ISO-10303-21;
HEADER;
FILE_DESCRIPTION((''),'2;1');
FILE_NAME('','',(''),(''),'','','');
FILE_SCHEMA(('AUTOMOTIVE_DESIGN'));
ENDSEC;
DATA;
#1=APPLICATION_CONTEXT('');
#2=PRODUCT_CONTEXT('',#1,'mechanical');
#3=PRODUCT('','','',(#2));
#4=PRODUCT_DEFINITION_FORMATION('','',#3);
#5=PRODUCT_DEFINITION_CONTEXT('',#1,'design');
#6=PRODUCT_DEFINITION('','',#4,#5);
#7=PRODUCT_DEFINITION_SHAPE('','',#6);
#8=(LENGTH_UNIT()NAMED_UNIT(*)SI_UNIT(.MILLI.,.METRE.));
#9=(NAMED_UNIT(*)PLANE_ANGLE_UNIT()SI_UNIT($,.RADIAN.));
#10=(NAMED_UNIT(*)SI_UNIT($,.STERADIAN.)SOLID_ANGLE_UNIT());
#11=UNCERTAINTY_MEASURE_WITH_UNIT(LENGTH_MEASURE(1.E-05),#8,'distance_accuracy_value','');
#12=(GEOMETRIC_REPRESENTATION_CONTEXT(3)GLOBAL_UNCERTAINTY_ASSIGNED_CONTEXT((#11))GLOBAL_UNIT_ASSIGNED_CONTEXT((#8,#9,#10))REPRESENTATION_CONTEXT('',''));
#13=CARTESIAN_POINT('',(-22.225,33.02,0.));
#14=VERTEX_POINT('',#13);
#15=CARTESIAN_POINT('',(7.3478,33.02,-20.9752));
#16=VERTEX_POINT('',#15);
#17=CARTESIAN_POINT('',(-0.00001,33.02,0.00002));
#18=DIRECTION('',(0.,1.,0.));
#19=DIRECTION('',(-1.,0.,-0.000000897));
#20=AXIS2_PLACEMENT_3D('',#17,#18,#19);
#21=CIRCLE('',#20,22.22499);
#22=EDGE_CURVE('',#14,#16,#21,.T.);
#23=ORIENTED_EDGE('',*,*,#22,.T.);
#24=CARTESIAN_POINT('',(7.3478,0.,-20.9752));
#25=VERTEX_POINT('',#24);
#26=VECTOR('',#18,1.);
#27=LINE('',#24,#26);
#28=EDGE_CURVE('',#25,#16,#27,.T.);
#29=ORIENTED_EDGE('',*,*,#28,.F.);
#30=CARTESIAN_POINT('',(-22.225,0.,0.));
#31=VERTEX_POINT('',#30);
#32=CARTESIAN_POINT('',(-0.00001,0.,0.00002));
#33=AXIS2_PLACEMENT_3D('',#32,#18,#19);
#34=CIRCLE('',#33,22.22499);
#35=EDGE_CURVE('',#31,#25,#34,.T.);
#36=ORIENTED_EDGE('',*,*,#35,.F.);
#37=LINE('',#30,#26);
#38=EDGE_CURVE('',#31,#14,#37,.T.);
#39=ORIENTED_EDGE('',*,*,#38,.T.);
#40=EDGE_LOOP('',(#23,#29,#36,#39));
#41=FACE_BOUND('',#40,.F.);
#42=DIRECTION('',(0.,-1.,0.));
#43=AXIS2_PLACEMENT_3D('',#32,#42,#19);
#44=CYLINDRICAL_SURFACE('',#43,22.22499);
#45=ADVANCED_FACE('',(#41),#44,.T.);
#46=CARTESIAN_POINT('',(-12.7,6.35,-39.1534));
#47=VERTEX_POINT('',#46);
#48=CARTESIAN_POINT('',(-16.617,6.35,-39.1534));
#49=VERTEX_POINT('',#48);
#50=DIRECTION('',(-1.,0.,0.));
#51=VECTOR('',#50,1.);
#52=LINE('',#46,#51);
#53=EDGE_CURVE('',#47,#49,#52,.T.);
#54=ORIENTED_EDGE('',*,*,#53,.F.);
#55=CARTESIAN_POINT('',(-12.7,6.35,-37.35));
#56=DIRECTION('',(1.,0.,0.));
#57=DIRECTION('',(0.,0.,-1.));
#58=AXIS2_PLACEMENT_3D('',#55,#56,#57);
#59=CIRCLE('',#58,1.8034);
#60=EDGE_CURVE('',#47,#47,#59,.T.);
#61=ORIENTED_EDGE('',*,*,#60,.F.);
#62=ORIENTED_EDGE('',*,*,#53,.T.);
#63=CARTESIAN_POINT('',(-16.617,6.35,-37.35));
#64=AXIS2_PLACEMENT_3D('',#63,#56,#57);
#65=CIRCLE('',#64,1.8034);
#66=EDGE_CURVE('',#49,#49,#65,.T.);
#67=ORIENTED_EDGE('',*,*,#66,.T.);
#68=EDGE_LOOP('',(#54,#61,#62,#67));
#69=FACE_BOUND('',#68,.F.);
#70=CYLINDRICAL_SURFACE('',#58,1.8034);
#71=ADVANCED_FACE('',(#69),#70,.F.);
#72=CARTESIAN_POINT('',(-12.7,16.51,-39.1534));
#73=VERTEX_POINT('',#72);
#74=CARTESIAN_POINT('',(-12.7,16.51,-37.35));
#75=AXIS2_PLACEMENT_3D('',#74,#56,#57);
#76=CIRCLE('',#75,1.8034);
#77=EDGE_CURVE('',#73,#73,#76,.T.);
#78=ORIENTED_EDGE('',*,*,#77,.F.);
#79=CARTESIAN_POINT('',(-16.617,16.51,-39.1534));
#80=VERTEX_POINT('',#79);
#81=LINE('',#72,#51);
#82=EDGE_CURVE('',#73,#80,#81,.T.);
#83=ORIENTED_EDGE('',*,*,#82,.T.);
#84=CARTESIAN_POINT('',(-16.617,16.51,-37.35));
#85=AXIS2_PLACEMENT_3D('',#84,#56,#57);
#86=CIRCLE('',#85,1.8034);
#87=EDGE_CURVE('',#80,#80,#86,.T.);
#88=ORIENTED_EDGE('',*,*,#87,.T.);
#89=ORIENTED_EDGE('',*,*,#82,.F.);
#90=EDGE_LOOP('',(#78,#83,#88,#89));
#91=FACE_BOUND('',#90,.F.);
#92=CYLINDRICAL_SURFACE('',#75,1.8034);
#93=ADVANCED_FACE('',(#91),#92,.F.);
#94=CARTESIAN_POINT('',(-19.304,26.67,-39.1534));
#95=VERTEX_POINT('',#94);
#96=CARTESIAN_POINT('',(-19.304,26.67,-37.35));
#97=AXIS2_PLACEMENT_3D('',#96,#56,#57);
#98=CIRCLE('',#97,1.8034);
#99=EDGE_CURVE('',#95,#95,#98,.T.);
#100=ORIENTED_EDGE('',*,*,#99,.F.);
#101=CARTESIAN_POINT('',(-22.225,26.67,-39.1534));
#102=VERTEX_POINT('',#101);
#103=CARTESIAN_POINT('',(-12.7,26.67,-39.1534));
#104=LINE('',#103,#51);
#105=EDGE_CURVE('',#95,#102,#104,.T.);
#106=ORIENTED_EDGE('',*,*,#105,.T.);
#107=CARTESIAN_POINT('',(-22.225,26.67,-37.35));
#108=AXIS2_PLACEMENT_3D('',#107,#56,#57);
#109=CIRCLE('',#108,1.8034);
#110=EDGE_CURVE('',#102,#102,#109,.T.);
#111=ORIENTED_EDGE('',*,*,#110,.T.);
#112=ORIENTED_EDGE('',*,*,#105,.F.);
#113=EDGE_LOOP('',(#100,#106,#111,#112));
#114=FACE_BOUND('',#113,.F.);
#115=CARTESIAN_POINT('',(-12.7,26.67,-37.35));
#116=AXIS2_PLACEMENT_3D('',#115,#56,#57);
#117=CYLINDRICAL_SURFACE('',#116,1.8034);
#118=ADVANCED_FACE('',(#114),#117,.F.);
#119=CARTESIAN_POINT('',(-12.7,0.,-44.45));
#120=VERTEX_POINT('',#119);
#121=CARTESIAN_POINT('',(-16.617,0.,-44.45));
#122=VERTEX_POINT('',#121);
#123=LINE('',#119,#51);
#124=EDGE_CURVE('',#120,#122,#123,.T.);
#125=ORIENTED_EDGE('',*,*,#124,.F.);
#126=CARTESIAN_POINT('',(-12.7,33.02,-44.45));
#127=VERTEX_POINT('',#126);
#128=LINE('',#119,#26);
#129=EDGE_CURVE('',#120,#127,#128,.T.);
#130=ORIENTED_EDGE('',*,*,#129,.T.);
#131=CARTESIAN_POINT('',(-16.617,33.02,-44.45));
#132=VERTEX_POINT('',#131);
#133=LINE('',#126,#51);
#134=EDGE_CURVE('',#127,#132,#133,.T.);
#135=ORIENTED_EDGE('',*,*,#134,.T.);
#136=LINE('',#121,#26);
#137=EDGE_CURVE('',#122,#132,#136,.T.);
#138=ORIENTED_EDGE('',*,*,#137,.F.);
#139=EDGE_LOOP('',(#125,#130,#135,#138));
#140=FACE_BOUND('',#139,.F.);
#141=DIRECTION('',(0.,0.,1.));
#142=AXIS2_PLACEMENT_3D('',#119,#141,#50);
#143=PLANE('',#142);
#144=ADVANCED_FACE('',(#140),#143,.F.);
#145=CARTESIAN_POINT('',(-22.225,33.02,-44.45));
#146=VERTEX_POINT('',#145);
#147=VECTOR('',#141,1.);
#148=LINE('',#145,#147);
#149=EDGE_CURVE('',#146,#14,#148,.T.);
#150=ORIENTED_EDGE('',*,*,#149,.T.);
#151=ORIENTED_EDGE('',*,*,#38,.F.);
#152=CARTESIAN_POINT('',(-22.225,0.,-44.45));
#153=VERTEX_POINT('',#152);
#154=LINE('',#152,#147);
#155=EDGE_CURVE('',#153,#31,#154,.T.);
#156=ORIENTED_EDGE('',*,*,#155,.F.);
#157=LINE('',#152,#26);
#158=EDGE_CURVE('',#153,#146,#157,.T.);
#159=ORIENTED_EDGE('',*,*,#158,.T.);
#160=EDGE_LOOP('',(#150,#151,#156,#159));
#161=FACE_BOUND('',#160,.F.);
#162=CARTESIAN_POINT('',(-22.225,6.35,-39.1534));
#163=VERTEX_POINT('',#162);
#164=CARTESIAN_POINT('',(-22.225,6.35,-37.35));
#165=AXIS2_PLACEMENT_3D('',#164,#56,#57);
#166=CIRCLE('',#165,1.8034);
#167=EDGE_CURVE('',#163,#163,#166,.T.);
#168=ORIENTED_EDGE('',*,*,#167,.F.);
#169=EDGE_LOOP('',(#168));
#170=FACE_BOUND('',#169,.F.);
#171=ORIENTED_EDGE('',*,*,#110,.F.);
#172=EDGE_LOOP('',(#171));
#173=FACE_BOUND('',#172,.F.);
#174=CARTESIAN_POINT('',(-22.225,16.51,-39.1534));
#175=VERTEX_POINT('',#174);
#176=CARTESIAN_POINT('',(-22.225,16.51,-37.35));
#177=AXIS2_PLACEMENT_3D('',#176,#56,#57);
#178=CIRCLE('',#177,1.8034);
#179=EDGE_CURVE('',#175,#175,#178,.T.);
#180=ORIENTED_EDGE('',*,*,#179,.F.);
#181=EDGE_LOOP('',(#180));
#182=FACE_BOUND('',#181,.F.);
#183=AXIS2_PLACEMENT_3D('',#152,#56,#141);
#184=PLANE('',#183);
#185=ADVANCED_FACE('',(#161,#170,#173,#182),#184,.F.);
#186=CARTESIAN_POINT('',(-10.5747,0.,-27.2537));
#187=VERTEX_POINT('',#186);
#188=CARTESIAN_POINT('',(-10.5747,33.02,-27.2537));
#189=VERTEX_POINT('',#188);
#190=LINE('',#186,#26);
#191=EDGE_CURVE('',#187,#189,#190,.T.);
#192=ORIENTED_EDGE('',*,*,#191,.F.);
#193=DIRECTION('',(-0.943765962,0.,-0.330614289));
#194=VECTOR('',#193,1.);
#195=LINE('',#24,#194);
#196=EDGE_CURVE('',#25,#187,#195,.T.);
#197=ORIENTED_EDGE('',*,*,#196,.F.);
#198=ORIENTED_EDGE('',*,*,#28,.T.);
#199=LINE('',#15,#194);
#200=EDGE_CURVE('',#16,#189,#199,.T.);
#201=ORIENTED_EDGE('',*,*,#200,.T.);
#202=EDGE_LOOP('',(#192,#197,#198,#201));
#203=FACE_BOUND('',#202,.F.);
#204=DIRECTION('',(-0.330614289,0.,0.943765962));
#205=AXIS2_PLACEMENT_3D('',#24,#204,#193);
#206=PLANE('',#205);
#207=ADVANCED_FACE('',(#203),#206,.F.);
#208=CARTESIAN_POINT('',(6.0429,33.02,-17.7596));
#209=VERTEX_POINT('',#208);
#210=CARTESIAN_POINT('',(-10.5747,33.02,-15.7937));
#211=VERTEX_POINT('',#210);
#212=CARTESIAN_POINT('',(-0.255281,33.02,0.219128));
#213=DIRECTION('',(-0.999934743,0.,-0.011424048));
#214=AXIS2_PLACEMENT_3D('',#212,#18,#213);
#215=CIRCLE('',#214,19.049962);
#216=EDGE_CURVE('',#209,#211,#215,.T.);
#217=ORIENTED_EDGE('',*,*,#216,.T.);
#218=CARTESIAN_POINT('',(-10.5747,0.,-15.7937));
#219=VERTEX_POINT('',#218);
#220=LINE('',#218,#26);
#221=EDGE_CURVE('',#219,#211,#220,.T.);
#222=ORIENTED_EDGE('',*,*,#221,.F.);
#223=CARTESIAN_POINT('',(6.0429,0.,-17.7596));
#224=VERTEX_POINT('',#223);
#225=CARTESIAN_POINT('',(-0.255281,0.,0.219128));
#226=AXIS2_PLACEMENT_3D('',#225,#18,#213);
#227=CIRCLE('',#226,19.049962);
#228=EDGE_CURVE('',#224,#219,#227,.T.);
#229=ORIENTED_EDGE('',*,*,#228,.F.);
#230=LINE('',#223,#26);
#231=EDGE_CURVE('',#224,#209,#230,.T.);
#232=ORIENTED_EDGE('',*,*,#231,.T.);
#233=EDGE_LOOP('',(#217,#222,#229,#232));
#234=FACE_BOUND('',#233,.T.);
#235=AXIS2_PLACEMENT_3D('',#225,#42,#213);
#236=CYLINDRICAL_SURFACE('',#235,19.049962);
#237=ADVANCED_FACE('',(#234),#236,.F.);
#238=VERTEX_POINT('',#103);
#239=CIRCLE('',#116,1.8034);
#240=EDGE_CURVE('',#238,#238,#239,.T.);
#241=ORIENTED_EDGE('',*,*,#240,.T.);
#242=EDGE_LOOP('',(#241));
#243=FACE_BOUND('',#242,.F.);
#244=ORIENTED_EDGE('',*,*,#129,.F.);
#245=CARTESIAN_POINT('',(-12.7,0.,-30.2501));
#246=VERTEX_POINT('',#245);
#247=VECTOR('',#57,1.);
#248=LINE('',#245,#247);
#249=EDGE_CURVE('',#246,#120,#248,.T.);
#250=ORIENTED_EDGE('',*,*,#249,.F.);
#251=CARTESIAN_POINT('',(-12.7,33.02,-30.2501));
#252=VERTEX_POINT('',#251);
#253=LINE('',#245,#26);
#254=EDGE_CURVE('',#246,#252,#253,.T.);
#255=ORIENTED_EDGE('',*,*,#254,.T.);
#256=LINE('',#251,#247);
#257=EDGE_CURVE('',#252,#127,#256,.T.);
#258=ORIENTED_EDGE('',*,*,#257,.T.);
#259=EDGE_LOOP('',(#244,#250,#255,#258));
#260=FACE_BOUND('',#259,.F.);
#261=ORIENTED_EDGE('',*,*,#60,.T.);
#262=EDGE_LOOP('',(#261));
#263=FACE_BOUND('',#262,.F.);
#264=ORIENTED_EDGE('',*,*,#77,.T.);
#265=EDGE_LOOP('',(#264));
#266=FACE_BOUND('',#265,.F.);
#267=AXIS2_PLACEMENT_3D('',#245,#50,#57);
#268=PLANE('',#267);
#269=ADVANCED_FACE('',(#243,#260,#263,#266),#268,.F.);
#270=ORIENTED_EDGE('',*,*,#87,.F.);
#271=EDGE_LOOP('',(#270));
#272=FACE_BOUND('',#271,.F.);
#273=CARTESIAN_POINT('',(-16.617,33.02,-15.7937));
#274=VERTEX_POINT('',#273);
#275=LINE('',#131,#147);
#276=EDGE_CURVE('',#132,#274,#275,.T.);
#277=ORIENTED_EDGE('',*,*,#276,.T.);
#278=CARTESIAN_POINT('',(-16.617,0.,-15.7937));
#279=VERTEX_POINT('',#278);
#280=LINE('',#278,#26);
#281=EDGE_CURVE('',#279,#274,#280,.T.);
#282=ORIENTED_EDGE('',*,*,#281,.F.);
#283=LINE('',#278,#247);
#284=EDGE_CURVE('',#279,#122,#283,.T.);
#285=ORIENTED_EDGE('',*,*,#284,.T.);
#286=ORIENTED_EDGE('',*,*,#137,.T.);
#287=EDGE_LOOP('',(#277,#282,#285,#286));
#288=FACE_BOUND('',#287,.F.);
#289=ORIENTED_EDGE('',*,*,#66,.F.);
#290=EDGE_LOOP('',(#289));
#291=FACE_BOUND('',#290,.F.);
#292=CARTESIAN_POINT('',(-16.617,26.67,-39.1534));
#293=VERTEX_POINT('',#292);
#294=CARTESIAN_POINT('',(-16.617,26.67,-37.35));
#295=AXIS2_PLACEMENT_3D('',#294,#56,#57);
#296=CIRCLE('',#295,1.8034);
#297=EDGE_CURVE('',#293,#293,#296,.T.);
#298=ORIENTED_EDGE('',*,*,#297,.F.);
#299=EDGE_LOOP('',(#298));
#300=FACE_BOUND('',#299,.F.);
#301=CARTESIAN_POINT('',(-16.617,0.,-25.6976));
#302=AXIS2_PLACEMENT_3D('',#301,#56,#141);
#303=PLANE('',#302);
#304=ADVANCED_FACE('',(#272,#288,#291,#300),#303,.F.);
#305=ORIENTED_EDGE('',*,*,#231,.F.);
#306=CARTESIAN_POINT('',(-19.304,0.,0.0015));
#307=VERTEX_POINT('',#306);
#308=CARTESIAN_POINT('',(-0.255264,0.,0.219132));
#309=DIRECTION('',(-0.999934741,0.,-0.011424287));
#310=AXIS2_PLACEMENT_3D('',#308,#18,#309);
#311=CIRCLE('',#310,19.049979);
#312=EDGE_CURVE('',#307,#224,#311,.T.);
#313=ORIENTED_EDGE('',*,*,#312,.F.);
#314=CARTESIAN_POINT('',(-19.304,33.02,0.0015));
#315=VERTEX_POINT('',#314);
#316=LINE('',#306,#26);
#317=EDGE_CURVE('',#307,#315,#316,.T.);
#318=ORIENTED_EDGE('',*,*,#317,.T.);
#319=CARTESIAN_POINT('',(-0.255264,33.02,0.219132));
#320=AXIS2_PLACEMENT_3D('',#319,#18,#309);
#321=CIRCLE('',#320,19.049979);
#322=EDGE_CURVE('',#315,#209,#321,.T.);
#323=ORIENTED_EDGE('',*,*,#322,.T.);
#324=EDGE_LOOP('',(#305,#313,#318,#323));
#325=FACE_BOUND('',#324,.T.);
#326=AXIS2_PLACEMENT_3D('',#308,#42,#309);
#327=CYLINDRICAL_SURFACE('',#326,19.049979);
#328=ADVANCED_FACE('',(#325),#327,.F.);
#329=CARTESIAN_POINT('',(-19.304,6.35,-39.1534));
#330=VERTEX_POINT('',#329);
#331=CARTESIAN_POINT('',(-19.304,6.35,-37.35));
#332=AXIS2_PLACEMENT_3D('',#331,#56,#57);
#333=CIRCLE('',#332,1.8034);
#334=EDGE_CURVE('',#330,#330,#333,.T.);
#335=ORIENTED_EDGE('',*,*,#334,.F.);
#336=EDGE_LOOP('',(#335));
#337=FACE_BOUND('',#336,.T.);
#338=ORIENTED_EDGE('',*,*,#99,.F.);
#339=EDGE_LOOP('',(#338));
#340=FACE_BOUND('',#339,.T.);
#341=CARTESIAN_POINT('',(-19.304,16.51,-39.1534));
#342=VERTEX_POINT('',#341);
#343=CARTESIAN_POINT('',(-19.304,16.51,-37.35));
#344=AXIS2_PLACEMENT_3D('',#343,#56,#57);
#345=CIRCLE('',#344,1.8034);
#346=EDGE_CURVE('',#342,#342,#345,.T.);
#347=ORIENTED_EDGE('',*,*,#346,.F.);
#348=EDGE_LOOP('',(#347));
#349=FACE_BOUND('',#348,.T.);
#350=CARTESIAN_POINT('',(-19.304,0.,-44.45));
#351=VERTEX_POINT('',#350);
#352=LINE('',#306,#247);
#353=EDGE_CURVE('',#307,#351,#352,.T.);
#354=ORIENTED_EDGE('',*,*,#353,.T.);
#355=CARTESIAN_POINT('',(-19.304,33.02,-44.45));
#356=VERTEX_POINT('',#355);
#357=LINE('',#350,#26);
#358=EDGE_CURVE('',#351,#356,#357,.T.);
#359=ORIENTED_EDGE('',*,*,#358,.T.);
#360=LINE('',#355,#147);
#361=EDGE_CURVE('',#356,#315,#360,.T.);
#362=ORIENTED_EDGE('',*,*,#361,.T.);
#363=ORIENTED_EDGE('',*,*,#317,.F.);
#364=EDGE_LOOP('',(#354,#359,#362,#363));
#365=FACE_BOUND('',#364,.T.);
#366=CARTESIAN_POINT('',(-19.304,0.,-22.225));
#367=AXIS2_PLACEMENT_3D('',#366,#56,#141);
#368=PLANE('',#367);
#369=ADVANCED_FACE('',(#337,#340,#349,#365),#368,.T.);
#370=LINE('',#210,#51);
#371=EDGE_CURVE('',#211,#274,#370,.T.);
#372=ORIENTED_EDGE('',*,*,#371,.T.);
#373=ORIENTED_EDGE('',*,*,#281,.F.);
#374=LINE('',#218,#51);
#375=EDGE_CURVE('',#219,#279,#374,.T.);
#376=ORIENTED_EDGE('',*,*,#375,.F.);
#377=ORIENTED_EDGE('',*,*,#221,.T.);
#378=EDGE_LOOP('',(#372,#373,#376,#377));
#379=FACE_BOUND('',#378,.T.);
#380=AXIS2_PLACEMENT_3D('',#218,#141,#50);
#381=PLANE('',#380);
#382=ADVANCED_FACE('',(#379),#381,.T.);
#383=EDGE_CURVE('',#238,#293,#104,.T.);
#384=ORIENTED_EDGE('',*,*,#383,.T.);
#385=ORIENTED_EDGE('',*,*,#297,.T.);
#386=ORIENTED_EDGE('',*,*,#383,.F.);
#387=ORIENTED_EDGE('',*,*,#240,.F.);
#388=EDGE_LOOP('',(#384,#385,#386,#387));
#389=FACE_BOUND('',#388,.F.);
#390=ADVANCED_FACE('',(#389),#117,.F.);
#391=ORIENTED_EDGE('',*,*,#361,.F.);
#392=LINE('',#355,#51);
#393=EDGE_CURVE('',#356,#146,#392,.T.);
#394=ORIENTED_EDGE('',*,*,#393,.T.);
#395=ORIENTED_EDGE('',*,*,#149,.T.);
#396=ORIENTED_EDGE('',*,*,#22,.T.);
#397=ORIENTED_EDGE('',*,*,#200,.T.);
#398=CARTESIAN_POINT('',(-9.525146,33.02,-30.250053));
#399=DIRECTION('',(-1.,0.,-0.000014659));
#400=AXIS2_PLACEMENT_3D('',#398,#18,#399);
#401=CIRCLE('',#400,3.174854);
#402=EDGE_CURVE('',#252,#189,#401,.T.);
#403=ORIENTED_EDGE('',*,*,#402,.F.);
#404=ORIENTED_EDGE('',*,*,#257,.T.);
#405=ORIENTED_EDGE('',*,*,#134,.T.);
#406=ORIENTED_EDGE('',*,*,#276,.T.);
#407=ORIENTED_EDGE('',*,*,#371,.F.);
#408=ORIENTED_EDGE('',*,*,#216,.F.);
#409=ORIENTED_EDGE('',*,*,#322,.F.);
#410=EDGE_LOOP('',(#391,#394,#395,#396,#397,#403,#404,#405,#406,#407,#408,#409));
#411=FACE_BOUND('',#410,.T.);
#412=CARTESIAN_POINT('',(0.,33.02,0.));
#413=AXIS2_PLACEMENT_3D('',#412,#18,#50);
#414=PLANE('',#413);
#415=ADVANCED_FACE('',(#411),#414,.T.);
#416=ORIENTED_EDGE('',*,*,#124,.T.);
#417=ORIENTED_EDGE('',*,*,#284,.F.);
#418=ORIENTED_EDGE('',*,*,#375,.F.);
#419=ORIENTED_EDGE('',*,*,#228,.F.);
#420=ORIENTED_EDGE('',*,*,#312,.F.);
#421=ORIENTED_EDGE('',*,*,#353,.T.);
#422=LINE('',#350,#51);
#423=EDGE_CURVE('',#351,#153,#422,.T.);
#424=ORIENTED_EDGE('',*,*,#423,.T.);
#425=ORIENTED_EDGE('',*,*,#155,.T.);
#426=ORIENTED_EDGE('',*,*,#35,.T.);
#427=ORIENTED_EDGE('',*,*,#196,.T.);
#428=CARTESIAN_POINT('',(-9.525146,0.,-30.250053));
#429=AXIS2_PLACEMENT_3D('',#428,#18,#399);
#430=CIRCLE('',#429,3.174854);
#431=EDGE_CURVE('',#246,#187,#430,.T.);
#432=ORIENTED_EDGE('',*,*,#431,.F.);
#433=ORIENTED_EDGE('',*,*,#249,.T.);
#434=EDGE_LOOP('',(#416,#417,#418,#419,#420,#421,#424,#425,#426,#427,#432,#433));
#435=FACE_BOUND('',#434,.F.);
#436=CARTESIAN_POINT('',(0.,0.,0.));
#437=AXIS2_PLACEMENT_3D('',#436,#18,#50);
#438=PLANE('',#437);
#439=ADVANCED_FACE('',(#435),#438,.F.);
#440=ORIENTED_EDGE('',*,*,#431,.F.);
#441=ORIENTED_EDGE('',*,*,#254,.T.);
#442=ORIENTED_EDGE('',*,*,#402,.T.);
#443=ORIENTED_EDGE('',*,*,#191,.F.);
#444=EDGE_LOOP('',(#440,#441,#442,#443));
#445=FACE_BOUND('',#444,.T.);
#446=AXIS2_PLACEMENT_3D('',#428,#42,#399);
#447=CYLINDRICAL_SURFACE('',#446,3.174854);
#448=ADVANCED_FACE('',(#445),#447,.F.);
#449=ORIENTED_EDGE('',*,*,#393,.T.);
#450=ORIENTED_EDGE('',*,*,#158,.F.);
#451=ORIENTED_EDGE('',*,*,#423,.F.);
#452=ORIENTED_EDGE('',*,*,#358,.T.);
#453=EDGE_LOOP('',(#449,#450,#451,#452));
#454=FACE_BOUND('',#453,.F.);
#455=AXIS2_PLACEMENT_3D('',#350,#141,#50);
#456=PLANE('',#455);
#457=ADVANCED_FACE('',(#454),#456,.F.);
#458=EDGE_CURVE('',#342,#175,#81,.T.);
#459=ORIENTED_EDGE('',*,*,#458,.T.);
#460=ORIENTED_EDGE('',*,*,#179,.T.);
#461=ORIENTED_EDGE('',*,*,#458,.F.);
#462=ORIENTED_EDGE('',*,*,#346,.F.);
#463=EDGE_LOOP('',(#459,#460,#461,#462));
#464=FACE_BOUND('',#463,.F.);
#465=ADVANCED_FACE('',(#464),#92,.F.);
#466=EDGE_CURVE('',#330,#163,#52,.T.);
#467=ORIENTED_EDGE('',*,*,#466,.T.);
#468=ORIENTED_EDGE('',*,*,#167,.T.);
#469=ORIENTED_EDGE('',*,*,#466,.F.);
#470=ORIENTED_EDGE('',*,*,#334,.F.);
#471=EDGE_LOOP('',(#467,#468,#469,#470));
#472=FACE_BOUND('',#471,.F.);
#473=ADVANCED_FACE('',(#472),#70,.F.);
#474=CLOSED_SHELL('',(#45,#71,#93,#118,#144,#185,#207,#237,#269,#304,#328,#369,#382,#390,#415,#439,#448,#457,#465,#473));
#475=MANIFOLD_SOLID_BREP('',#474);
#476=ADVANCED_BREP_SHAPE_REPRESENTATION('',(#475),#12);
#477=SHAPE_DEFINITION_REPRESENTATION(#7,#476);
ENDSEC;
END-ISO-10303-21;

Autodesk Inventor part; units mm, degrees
ref_plane "YZ Plane" through (0, 0, 0) normal (1, 0, 0) x (0, 1, 0)
ref_plane "XZ Plane" through (0, 0, 0) normal (0, 1, 0) x (-1, 0, 0)
ref_plane "XY Plane" through (0, 0, 0) normal (0, 0, 1) x (1, 0, 0)
sketch "Sketch7" plane through (0, 0, 0) normal (0, 1, 0) x (-1, 0, 0)
  arc A0 (19.304, 0.0015) -> (-6.0429, -17.7596) centre (0.2553, 0.2192) ccw
  line L0 (22.225, -44.45) -> (22.225, 0)
  arc A1 (22.225, 0) -> (-7.3478, -20.9752) centre (0, 0) ccw
  line L1 (-7.3478, -20.9752) -> (10.5747, -27.2537)
  arc A2 (12.7, -30.2501) -> (10.5747, -27.2537) centre (9.525, -30.2501) ccw
  line L2 (12.7, -30.2501) -> (12.7, -44.45)
  line L3 (16.617, -44.45) -> (16.617, -25.6976)
  line L4 (19.304, -22.225) -> (19.304, -44.45)
  line L5 (16.617, -25.6976) -> (16.8723, -25.787)
  line L6 (19.304, -22.225) -> (19.304, 0.0015)
  line L7 (12.7, -44.45) -> (16.617, -44.45)
  line L8 (19.304, -44.45) -> (22.225, -44.45)
  arc A3 (19.304, 0.0015) -> (10.5747, -15.7937) centre (0.2553, 0.2192) ccw
  line L9 (16.617, -25.6976) -> (16.617, -15.7937)
  line L10 (10.5747, -15.7937) -> (16.617, -15.7937)
  point P0 (0, 0)
  point P1 (0, 0)
extrude "Extrusion8" add sketch "Sketch7" along normal blind 33.02
sketch "Sketch8" plane through (-12.7, 0, -30.2501) normal (1, 0, 0) x (0, 0, -1)
  circle A0 centre (7.0999, 26.67) radius 1.8034
  line L0 (0, 0) -> (0, 25.4) construction
  line L1 (0, 24.4432) -> (14.1999, 24.4432) construction
  line L2 (14.1999, 24.4432) -> (7.0999, 24.4432) construction
  line L3 (7.0999, 24.4432) -> (7.0999, 0) construction
  line L4 (14.1999, 0) -> (-30.2501, 0) construction
  circle A1 centre (7.0999, 16.51) radius 1.8034
  circle A2 centre (7.0999, 6.35) radius 1.8034
  line L5 (14.1999, 0) -> (14.1999, 33.02)
  line L6 (14.1999, 16.51) -> (0, 16.51) construction
  dimension "d35" = 3.6068
  dimension "d36" = 3.6068
  dimension "d37" = 3.6068
  dimension "d38" = 10.16
  dimension "d39" = 10.16
extrude "Extrusion9" cut sketch "Sketch8" against normal through all
properties part number "MotorMountB"
